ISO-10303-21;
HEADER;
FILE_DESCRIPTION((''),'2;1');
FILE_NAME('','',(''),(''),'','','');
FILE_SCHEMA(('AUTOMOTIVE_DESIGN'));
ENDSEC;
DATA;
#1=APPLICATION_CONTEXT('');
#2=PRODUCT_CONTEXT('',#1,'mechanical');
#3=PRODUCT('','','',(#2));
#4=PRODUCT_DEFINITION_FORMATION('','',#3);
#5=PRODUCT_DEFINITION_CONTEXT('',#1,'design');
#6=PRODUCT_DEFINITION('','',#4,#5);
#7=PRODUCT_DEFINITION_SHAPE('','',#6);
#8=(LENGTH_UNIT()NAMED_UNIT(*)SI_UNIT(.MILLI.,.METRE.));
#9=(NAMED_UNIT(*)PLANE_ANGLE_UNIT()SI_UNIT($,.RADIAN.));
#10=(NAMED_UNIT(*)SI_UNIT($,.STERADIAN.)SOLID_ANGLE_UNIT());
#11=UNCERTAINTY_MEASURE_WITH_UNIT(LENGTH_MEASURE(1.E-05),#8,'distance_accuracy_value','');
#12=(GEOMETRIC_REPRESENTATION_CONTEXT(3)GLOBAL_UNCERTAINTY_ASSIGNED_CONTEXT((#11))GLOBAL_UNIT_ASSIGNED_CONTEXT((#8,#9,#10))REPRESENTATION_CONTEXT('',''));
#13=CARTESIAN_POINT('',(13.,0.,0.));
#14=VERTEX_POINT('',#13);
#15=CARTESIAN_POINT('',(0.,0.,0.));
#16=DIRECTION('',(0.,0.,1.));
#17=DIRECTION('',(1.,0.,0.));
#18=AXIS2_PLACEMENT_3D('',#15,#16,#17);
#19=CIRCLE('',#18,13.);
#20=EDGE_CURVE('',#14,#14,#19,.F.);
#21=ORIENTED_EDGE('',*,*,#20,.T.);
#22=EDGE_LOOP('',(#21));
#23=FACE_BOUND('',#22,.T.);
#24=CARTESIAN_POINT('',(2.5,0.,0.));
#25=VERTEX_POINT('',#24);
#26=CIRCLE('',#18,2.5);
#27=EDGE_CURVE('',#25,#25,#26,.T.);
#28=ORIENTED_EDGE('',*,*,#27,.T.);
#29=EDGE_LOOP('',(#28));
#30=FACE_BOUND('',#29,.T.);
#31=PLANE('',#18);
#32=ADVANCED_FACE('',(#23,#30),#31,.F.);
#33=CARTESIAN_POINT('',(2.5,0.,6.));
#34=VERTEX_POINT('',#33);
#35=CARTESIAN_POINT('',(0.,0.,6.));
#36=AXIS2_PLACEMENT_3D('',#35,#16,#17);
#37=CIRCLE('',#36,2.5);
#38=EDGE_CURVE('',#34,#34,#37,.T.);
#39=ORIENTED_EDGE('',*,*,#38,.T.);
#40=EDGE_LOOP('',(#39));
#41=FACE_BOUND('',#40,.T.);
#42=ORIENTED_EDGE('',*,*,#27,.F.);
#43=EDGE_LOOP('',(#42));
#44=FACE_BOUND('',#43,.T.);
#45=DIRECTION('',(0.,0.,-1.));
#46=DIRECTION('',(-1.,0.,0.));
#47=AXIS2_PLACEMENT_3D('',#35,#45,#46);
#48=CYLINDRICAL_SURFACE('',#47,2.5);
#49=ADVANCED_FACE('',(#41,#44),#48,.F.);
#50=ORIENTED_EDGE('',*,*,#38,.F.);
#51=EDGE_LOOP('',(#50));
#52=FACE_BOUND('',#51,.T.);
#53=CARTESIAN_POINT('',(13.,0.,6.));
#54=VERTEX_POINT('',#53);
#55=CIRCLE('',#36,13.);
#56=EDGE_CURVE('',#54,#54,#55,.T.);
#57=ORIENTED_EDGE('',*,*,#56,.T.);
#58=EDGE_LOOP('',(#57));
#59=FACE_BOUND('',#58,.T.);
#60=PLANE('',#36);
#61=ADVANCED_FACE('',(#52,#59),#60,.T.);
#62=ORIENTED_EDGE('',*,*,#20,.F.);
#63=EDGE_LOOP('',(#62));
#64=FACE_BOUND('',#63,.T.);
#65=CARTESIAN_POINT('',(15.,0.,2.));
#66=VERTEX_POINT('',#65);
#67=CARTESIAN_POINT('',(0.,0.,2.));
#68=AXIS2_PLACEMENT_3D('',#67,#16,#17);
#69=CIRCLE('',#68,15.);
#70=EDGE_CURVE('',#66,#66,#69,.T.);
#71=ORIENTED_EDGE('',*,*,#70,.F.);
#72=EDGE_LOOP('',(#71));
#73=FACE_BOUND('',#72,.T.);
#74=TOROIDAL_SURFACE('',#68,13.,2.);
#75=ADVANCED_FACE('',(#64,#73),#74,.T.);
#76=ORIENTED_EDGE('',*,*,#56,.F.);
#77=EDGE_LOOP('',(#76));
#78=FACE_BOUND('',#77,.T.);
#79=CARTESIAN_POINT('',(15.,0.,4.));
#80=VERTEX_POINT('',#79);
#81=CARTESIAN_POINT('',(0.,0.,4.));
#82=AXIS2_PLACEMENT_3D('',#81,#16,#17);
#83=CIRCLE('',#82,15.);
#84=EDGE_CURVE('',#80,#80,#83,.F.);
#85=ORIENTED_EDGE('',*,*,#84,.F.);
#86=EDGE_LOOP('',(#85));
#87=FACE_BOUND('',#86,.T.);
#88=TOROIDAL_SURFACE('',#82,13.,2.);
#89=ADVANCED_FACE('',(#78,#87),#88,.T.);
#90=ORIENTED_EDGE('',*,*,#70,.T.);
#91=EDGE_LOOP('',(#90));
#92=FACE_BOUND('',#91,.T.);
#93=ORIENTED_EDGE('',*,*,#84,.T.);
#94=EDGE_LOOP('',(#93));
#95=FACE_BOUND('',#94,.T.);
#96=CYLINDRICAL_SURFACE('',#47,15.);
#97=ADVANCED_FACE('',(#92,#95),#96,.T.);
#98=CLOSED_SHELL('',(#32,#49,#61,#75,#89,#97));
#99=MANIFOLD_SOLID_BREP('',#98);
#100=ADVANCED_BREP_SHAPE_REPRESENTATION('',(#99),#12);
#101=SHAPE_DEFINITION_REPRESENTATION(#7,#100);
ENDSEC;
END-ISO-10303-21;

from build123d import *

# Parameters (mm, degrees)
CROQUIS1_R              = 15
CROQUIS1_R_2            = 2.5
SALIENTE_EXTRUIR1_DEPTH = 6
REDONDEO1_R             = 2


with BuildPart() as part:
    # Croquis1 → Saliente-Extruir1 (new body)
    with BuildSketch(Plane.XY):
        Circle(CROQUIS1_R)
        Circle(CROQUIS1_R_2, mode=Mode.SUBTRACT)
    extrude(amount=SALIENTE_EXTRUIR1_DEPTH)

    # Redondeo1
    redondeo1_edges = [part.edges().sort_by_distance(p)[0] for p in [
        (-15, 0, 0),
        (-15, 0, 6),
    ]]
    fillet(redondeo1_edges, radius=REDONDEO1_R)


solid = part.part
